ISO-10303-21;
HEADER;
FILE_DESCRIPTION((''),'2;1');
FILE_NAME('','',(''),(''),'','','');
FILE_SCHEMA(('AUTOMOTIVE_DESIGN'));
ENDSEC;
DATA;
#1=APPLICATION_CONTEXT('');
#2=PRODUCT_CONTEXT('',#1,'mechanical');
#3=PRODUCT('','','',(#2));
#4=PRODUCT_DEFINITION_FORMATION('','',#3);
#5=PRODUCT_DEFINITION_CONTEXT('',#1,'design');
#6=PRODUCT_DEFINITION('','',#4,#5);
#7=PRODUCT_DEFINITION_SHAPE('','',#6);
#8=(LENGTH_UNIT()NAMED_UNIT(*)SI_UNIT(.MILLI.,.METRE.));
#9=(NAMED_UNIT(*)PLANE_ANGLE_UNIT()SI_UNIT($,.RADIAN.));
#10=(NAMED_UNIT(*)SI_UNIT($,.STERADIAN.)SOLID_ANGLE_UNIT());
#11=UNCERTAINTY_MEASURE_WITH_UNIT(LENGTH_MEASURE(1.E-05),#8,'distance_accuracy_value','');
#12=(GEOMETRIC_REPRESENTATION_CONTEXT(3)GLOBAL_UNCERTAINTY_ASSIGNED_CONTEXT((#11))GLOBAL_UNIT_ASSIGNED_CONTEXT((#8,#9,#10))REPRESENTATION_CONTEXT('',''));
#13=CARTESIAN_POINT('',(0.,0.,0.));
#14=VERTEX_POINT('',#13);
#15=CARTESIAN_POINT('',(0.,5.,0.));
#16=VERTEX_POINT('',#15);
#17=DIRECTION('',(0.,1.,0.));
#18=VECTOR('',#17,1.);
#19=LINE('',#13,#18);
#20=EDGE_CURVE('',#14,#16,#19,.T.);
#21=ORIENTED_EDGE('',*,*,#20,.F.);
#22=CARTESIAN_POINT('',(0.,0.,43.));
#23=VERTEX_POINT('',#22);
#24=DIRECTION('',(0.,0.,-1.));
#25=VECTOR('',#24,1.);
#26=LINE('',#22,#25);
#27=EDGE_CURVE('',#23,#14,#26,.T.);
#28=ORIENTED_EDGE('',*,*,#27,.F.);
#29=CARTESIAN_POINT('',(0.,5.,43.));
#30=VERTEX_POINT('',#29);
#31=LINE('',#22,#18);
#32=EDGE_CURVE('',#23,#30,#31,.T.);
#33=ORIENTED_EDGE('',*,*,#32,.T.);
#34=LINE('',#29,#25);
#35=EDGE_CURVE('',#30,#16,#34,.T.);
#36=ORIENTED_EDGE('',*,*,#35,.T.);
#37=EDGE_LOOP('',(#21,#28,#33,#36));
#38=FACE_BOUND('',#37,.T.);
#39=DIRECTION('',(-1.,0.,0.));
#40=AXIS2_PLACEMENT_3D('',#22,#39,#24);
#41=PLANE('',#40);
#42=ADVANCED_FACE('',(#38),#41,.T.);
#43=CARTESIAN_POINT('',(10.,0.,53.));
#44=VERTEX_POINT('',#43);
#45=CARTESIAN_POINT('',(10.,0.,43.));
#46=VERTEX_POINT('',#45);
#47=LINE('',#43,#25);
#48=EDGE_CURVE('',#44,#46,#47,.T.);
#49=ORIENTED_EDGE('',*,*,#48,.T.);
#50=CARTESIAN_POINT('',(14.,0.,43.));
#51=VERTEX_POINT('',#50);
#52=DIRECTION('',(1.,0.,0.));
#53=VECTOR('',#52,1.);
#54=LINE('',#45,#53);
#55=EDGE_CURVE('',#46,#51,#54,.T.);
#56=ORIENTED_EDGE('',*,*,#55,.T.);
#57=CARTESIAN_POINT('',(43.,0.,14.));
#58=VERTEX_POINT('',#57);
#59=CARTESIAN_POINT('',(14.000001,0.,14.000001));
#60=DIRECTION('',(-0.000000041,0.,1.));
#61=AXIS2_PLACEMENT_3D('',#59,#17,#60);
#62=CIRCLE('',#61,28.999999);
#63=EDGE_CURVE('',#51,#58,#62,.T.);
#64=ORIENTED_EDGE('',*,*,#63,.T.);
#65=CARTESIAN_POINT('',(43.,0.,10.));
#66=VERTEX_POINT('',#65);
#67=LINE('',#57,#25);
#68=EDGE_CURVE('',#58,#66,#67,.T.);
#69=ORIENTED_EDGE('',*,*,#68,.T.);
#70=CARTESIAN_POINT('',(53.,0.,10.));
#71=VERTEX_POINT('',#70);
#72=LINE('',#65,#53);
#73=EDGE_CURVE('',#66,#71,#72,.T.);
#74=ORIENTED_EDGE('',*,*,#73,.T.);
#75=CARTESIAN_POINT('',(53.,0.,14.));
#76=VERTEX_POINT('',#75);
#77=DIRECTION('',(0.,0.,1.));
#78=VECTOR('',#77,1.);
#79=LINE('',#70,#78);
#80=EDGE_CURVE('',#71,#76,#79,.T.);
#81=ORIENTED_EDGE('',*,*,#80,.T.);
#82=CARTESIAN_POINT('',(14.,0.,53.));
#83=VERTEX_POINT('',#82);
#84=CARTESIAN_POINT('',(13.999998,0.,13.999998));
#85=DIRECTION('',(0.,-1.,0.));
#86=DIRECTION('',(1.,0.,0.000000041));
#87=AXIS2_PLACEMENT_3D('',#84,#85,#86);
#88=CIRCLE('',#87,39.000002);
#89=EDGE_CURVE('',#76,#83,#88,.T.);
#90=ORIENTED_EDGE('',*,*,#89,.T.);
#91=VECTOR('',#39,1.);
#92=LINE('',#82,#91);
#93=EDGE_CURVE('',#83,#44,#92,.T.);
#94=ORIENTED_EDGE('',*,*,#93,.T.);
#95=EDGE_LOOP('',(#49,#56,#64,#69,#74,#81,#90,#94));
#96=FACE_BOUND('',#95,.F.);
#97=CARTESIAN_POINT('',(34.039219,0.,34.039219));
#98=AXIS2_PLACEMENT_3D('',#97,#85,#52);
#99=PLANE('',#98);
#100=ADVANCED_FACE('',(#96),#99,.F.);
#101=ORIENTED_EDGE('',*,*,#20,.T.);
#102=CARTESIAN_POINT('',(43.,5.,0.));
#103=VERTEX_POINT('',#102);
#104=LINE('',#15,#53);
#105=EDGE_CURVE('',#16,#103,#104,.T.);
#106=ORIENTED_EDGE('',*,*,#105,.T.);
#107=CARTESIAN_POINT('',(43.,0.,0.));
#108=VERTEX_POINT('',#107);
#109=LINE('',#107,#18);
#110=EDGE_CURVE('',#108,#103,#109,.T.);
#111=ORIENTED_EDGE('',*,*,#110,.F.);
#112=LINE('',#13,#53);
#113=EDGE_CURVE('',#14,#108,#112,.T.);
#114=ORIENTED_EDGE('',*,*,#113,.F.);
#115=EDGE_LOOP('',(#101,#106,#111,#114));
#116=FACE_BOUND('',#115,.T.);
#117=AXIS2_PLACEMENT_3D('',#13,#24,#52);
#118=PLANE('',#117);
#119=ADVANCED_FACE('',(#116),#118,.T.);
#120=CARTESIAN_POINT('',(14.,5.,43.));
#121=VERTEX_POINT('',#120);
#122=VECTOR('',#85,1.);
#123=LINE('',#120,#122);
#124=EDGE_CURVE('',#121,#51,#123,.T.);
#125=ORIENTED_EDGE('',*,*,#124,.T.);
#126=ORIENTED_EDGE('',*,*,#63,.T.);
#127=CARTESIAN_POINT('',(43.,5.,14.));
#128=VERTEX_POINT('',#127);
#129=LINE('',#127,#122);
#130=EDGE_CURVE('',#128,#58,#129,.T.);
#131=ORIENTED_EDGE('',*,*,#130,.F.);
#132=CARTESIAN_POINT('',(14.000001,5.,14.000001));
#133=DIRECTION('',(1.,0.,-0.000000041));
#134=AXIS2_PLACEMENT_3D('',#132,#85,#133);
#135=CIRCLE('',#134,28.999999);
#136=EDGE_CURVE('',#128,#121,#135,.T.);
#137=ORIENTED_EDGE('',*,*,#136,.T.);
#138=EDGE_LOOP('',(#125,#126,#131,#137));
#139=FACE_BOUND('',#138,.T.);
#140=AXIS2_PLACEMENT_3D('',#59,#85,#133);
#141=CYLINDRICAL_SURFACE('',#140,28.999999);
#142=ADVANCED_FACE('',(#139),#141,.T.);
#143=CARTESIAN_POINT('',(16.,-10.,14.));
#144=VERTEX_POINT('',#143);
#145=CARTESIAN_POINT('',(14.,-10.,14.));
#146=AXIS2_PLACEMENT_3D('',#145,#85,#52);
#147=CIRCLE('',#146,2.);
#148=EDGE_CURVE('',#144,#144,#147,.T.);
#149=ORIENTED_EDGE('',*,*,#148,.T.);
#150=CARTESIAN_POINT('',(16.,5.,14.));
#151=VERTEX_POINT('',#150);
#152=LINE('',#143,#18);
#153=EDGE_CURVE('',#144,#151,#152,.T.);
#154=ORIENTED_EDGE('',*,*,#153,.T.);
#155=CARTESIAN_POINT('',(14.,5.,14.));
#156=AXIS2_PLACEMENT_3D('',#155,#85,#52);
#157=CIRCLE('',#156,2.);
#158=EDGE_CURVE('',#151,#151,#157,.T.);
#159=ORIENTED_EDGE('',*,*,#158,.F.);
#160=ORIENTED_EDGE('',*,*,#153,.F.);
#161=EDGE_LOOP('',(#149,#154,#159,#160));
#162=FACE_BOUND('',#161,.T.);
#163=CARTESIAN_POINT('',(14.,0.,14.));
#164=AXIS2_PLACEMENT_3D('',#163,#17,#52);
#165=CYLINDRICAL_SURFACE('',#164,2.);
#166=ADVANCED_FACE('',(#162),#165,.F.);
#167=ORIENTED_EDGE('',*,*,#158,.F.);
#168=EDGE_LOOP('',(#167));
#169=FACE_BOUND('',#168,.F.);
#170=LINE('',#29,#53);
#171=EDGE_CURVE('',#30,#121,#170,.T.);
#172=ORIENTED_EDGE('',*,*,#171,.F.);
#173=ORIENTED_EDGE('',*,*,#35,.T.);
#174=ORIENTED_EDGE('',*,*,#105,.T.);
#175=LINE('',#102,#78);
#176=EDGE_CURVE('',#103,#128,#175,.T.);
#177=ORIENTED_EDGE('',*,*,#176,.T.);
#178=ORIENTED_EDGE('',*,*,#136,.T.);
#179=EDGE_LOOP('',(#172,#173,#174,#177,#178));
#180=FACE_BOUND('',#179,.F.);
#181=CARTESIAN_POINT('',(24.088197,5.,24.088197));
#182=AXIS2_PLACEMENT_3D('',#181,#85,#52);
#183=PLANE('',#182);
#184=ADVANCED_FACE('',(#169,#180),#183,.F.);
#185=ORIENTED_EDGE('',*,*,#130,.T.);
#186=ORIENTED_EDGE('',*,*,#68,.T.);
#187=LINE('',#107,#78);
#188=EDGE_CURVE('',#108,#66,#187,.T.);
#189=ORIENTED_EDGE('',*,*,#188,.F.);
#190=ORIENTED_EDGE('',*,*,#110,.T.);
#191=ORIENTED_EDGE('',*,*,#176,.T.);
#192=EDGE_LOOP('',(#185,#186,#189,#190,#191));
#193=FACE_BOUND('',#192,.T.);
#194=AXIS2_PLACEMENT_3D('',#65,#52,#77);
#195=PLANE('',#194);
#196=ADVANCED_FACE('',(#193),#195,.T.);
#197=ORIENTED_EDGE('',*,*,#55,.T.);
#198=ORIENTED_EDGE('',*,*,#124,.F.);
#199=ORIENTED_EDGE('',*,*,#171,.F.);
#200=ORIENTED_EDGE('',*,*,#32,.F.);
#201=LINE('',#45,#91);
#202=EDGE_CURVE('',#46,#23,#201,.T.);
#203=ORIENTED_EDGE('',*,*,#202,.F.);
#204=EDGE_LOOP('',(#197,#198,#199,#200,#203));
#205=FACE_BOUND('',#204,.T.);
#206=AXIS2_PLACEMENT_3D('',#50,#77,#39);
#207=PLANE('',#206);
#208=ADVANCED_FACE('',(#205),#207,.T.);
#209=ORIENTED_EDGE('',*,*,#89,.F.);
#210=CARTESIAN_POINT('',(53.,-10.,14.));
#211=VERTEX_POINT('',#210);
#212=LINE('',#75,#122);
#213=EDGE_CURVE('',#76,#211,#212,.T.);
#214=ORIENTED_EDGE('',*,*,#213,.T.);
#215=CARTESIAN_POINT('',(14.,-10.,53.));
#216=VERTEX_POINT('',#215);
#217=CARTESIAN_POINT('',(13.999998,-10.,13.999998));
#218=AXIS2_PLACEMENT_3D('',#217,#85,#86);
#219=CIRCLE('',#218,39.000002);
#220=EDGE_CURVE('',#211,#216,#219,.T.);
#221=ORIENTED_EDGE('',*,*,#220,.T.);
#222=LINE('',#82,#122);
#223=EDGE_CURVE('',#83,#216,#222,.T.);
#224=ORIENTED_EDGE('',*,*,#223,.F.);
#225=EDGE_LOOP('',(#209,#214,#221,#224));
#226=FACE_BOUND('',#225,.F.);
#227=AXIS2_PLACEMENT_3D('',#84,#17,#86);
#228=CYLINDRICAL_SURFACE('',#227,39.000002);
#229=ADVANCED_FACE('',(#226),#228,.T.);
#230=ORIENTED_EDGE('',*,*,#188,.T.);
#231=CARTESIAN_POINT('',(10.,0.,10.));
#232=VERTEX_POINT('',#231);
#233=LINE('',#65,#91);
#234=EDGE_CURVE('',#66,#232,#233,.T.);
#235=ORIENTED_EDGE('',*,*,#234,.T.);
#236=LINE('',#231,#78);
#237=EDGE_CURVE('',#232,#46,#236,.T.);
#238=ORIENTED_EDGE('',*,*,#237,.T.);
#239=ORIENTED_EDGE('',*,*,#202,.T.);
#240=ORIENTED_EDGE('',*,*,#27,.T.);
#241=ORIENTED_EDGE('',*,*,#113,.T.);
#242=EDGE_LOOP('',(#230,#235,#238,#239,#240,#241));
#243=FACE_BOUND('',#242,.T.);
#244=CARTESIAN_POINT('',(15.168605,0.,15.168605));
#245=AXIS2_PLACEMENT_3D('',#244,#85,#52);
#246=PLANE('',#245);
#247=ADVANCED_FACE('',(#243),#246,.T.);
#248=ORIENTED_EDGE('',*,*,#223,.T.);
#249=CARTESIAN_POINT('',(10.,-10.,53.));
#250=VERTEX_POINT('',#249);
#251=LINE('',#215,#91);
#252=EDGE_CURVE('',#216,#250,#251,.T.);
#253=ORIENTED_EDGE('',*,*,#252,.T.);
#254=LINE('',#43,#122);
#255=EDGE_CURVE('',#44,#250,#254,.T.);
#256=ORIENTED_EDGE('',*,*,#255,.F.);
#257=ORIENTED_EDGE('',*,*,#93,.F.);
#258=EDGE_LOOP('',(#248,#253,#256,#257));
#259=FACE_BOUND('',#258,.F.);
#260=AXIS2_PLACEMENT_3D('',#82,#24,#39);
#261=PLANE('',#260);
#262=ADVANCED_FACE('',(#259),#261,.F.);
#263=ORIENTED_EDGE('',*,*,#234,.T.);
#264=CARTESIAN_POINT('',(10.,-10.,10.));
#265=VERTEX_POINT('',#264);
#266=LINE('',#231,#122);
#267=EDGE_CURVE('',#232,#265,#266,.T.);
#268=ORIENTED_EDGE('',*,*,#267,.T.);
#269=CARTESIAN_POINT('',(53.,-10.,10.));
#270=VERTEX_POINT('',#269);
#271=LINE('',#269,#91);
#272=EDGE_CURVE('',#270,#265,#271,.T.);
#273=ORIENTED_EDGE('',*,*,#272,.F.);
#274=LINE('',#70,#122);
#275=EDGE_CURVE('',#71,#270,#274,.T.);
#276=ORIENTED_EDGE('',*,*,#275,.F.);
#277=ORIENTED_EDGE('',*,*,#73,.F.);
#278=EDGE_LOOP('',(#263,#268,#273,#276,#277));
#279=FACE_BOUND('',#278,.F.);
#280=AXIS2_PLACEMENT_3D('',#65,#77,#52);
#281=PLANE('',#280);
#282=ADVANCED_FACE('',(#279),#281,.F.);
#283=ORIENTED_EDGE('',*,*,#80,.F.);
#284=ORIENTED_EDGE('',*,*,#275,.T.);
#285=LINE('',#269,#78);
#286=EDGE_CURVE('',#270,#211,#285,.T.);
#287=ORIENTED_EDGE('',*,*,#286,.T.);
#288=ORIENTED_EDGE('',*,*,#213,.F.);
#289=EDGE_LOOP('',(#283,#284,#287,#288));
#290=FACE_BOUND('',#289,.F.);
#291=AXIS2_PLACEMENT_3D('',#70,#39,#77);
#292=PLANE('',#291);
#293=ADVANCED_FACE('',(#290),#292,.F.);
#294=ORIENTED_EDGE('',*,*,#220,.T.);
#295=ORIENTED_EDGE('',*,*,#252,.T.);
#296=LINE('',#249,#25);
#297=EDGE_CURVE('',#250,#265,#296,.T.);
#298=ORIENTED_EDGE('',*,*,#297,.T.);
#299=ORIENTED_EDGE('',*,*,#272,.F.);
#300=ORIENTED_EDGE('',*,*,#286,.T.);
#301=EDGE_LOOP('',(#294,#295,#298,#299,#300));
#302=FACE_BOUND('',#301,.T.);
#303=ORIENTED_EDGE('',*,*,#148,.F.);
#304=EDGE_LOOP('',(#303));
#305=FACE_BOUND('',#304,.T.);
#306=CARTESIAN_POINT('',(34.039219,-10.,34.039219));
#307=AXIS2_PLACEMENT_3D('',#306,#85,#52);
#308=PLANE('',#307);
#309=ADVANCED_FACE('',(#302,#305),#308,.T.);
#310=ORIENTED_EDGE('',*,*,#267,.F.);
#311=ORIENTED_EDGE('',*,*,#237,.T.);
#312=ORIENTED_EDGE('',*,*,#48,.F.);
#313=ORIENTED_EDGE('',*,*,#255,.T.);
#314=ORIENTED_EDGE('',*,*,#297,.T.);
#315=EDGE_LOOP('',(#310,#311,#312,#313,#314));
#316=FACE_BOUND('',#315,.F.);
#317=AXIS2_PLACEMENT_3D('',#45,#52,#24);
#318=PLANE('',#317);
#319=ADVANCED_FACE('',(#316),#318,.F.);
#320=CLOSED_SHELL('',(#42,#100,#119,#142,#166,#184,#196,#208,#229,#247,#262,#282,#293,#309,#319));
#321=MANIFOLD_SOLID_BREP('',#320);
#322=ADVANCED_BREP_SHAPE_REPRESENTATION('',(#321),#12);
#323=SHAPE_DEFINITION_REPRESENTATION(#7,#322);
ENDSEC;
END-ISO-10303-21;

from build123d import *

# Parameters (mm, degrees)
F1_DEPTH      = 5
F0_R          = 2
F2_DEPTH      = 10
F2_DEPTH_BACK = 5
F3_DEPTH      = 10


with BuildPart() as f1:
    # F0 (on Front) → F1 (new body)
    with BuildSketch(Plane.XZ):
        Polygon((0, 43), (0, 0), (43, 0), (43, 10), (10, 10), (10, 43), align=None)
    extrude(amount=-F1_DEPTH)

    # F0 (on Front) → F2 (join, two sides)
    with BuildSketch(Plane.XZ) as f2_sk:
        with BuildLine():
            Line((10, 10), (43, 10))
            Line((43, 10), (43, 14))
            ThreePointArc((43, 14), (34.506097, 34.506097), (14, 43))
            Line((14, 43), (10, 43))
            Line((10, 43), (10, 10))
        make_face()
        with Locations((14, 14)):
            Circle(F0_R, mode=Mode.SUBTRACT)
    extrude(amount=F2_DEPTH)
    extrude(f2_sk.sketch, amount=-F2_DEPTH_BACK)

    # F0 (on Front) → F3 (join)
    with BuildSketch(Plane.XZ):
        with BuildLine():
            Line((43, 14), (43, 10))
            Line((43, 10), (53, 10))
            Line((53, 10), (53, 14))
            ThreePointArc((53, 14), (41.577164, 41.577164), (14, 53))
            Line((14, 53), (10, 53))
            Line((10, 53), (10, 43))
            Line((10, 43), (14, 43))
            ThreePointArc((14, 43), (34.506097, 34.506097), (43, 14))
        make_face()
    extrude(amount=F3_DEPTH)


solid = f1.part
